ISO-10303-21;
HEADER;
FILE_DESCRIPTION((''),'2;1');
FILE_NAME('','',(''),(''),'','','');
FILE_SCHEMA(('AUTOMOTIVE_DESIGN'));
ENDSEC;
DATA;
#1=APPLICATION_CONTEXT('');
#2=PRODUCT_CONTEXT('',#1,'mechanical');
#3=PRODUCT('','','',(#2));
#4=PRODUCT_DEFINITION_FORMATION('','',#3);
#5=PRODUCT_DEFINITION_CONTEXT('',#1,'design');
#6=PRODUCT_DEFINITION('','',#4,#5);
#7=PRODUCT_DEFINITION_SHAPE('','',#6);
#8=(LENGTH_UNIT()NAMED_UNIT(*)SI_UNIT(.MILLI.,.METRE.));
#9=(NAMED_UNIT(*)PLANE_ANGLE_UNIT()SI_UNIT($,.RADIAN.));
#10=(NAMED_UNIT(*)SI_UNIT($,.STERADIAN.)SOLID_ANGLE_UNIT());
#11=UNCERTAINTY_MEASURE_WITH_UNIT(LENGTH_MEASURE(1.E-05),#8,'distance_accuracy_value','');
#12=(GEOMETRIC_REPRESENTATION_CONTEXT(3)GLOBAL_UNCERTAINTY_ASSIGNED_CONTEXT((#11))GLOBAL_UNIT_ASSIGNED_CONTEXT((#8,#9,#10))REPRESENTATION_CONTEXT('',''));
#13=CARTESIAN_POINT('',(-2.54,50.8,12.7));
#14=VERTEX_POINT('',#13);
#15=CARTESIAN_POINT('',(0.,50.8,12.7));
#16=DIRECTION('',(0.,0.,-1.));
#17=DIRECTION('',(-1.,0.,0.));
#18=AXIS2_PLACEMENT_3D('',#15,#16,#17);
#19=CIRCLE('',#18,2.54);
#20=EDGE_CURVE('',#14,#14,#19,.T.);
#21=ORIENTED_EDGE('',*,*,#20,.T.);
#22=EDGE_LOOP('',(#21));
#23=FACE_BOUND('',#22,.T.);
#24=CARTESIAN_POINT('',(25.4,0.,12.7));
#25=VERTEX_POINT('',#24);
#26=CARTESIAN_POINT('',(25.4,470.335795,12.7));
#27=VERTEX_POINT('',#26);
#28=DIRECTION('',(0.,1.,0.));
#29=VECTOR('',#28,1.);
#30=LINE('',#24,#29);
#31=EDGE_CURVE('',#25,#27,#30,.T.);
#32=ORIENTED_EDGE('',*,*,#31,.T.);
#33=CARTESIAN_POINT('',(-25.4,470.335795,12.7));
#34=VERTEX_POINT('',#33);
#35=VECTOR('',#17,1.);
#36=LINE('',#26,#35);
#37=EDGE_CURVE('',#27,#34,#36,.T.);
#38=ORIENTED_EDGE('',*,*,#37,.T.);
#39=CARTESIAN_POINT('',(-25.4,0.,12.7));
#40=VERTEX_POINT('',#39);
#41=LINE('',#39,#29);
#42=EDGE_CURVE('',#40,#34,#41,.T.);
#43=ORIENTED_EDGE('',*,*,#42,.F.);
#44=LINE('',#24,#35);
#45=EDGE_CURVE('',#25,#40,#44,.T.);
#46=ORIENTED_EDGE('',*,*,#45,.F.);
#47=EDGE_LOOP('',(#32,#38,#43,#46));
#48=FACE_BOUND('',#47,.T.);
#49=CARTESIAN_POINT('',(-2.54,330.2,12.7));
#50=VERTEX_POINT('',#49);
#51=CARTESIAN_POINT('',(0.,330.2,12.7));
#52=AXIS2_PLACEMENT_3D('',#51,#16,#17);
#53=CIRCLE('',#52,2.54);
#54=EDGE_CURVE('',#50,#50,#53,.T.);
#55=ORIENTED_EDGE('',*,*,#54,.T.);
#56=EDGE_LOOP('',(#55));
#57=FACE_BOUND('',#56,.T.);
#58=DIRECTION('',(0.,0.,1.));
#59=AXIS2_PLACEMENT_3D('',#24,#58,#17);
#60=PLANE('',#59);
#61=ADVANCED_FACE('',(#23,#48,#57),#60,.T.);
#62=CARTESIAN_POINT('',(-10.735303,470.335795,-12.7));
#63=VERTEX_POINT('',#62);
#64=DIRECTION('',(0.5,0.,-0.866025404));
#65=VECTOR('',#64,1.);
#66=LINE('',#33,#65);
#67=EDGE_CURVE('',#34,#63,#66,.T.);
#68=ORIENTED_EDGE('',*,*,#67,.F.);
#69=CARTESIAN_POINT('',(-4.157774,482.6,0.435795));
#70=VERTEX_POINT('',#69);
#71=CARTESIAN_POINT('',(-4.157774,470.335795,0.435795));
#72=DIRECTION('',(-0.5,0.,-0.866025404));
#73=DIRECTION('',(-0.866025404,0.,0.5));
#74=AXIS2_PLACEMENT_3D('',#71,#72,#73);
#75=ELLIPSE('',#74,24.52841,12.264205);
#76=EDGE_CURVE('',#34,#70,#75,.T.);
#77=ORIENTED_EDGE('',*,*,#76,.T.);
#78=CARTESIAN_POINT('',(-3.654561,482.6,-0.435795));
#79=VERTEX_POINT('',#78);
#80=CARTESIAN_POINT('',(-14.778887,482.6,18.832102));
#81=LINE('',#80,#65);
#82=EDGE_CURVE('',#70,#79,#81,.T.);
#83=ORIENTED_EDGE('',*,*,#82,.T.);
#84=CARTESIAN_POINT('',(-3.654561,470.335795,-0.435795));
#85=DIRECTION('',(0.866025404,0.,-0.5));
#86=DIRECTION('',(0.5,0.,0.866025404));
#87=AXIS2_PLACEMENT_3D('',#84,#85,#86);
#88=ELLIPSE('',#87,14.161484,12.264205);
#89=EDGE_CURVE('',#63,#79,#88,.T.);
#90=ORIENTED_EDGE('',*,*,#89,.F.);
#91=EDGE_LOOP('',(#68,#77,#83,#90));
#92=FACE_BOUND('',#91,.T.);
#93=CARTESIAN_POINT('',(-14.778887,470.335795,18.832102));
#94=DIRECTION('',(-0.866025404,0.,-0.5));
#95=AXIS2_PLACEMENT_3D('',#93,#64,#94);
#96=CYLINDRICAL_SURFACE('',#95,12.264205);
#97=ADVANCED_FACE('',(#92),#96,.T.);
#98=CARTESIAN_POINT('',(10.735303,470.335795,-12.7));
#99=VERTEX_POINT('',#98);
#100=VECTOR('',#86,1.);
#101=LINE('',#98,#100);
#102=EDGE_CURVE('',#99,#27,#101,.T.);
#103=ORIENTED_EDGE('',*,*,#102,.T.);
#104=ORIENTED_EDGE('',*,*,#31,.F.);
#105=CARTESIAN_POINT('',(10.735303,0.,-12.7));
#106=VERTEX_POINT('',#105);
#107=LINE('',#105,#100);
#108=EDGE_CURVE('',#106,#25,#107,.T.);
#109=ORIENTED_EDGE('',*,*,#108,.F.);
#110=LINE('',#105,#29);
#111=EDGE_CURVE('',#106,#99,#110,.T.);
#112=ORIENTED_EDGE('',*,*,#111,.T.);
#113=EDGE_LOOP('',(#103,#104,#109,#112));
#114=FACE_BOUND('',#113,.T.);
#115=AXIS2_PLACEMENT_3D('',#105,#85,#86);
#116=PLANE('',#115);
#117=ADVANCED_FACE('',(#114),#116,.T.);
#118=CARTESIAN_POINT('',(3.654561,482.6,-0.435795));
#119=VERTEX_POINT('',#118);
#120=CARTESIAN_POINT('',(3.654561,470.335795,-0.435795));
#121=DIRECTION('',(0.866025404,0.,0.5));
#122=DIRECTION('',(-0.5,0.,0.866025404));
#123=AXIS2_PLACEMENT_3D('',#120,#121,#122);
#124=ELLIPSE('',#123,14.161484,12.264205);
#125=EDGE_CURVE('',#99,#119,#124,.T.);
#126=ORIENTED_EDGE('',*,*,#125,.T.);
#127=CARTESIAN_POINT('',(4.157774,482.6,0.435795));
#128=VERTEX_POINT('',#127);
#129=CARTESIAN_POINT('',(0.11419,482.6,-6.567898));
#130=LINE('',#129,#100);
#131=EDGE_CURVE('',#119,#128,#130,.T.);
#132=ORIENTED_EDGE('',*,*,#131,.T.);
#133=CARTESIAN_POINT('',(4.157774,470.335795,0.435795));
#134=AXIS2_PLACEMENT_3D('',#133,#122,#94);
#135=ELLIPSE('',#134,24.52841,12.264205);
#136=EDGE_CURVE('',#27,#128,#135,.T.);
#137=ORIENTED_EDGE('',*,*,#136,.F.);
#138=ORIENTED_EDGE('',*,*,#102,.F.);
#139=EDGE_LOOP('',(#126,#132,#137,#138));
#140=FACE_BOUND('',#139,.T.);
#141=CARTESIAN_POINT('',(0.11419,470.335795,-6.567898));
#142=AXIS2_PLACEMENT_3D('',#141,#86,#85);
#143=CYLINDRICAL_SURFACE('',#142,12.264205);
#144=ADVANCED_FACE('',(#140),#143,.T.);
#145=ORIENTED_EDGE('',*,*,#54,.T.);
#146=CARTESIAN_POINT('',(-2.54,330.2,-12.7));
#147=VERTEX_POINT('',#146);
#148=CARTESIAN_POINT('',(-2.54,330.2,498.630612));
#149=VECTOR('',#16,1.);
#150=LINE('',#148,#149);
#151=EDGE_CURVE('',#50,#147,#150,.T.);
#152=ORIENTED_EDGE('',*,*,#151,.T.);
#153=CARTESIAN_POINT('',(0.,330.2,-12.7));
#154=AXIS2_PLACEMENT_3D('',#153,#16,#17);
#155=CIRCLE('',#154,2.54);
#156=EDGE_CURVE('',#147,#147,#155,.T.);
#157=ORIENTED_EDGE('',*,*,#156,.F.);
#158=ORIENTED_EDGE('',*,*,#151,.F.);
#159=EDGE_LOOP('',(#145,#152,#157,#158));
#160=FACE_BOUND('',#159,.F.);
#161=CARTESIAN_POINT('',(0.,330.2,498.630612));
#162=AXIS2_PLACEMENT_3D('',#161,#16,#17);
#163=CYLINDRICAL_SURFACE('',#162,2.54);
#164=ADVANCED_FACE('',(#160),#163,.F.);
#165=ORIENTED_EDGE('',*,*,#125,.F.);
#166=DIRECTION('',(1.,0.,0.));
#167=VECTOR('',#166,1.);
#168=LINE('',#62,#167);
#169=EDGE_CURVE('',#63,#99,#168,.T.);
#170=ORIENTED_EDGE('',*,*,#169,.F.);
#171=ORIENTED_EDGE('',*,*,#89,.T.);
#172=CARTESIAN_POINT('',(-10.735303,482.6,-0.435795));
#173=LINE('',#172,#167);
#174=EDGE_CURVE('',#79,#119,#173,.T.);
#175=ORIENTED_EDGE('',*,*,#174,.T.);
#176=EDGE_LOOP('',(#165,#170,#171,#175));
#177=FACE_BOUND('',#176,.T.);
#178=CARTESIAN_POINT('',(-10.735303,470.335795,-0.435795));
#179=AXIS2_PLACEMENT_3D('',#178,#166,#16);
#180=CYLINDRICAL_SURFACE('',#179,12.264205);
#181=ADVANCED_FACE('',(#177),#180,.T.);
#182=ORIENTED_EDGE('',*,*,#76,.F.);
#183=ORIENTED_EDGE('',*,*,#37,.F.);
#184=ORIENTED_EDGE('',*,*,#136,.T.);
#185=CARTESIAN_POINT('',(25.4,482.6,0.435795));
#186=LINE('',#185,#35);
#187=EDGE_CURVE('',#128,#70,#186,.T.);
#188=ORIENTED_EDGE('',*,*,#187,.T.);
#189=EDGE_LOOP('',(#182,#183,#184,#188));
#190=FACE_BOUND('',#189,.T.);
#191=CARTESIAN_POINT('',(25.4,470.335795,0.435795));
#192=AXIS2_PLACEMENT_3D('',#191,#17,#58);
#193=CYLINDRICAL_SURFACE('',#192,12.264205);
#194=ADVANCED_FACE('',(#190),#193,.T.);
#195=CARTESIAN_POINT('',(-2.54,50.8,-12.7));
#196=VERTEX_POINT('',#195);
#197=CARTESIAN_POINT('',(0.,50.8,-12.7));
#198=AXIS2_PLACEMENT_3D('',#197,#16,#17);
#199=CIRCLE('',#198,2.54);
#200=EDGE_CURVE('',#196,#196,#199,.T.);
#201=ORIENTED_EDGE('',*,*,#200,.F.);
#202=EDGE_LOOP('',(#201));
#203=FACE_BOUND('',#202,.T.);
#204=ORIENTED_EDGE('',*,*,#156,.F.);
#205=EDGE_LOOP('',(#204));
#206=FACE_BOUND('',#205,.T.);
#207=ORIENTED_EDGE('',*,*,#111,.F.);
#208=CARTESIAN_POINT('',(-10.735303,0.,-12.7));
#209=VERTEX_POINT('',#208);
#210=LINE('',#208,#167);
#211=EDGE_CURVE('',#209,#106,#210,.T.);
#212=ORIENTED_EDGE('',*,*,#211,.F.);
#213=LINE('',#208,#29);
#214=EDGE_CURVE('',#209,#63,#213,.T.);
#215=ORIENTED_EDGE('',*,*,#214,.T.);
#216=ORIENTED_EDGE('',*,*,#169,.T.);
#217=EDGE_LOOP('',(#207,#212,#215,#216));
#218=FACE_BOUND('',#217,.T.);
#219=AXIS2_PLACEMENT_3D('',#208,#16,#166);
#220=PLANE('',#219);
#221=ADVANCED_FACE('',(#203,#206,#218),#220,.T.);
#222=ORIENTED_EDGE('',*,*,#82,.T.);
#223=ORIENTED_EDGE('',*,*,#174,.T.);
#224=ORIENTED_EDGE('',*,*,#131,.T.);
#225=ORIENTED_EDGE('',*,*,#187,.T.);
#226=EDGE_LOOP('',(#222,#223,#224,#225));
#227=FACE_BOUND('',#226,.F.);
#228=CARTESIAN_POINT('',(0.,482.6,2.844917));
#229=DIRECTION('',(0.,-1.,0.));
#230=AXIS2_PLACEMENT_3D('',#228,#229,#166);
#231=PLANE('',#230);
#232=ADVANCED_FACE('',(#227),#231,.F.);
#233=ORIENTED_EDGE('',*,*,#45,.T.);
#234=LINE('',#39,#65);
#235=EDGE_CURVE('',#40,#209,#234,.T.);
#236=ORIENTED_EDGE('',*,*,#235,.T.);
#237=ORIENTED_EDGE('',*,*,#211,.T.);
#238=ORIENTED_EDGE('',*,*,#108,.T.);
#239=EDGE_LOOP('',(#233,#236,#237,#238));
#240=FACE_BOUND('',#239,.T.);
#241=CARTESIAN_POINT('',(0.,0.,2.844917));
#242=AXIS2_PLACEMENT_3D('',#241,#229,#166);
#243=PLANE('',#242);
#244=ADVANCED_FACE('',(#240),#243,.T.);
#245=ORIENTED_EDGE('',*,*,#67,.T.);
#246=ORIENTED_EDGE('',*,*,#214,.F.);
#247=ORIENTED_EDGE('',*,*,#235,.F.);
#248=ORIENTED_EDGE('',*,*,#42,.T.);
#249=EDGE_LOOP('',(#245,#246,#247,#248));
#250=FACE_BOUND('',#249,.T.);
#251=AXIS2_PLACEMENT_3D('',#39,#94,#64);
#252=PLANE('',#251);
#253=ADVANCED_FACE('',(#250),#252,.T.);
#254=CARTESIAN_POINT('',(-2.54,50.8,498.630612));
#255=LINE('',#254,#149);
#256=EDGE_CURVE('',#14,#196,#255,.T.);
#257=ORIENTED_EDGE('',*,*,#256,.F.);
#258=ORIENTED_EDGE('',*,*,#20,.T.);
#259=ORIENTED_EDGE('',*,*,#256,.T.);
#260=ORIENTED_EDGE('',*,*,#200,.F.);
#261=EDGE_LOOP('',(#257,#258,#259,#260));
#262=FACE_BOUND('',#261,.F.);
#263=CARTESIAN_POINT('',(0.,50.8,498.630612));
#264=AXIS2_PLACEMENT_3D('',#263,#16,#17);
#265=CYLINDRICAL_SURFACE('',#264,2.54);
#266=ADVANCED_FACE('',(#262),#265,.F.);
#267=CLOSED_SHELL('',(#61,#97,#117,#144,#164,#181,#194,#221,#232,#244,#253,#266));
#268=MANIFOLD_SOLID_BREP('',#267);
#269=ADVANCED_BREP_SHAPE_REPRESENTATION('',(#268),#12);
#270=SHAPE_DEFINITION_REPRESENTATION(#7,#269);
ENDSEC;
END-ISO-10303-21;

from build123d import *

# Parameters (mm, degrees)
F1_DEPTH = 482.6
F2_R     = 12.2642048969
F5_D     = 5.08


with BuildPart() as f1:
    # F0 (on Front) → F1 (new body)
    with BuildSketch(Plane.XZ):
        Polygon((25.4, 12.7), (-25.4, 12.7), (-10.7353031626, -12.7), (10.7353031626, -12.7), align=None)
    extrude(amount=-F1_DEPTH)

    # F2
    f2_edges = [f1.edges().sort_by_distance(p)[0] for p in [
        (0, 482.6, 12.7),
        (18.067652, 482.6, 0),
        (0, 482.6, -12.7),
        (-18.067652, 482.6, 0),
    ]]
    fillet(f2_edges, radius=F2_R)

    # F5 (through all)
    with Locations(Plane.XY.offset(12.7)):
        with Locations((0, 330.2), (0, 50.8)):
            Hole(F5_D / 2)


solid = f1.part
